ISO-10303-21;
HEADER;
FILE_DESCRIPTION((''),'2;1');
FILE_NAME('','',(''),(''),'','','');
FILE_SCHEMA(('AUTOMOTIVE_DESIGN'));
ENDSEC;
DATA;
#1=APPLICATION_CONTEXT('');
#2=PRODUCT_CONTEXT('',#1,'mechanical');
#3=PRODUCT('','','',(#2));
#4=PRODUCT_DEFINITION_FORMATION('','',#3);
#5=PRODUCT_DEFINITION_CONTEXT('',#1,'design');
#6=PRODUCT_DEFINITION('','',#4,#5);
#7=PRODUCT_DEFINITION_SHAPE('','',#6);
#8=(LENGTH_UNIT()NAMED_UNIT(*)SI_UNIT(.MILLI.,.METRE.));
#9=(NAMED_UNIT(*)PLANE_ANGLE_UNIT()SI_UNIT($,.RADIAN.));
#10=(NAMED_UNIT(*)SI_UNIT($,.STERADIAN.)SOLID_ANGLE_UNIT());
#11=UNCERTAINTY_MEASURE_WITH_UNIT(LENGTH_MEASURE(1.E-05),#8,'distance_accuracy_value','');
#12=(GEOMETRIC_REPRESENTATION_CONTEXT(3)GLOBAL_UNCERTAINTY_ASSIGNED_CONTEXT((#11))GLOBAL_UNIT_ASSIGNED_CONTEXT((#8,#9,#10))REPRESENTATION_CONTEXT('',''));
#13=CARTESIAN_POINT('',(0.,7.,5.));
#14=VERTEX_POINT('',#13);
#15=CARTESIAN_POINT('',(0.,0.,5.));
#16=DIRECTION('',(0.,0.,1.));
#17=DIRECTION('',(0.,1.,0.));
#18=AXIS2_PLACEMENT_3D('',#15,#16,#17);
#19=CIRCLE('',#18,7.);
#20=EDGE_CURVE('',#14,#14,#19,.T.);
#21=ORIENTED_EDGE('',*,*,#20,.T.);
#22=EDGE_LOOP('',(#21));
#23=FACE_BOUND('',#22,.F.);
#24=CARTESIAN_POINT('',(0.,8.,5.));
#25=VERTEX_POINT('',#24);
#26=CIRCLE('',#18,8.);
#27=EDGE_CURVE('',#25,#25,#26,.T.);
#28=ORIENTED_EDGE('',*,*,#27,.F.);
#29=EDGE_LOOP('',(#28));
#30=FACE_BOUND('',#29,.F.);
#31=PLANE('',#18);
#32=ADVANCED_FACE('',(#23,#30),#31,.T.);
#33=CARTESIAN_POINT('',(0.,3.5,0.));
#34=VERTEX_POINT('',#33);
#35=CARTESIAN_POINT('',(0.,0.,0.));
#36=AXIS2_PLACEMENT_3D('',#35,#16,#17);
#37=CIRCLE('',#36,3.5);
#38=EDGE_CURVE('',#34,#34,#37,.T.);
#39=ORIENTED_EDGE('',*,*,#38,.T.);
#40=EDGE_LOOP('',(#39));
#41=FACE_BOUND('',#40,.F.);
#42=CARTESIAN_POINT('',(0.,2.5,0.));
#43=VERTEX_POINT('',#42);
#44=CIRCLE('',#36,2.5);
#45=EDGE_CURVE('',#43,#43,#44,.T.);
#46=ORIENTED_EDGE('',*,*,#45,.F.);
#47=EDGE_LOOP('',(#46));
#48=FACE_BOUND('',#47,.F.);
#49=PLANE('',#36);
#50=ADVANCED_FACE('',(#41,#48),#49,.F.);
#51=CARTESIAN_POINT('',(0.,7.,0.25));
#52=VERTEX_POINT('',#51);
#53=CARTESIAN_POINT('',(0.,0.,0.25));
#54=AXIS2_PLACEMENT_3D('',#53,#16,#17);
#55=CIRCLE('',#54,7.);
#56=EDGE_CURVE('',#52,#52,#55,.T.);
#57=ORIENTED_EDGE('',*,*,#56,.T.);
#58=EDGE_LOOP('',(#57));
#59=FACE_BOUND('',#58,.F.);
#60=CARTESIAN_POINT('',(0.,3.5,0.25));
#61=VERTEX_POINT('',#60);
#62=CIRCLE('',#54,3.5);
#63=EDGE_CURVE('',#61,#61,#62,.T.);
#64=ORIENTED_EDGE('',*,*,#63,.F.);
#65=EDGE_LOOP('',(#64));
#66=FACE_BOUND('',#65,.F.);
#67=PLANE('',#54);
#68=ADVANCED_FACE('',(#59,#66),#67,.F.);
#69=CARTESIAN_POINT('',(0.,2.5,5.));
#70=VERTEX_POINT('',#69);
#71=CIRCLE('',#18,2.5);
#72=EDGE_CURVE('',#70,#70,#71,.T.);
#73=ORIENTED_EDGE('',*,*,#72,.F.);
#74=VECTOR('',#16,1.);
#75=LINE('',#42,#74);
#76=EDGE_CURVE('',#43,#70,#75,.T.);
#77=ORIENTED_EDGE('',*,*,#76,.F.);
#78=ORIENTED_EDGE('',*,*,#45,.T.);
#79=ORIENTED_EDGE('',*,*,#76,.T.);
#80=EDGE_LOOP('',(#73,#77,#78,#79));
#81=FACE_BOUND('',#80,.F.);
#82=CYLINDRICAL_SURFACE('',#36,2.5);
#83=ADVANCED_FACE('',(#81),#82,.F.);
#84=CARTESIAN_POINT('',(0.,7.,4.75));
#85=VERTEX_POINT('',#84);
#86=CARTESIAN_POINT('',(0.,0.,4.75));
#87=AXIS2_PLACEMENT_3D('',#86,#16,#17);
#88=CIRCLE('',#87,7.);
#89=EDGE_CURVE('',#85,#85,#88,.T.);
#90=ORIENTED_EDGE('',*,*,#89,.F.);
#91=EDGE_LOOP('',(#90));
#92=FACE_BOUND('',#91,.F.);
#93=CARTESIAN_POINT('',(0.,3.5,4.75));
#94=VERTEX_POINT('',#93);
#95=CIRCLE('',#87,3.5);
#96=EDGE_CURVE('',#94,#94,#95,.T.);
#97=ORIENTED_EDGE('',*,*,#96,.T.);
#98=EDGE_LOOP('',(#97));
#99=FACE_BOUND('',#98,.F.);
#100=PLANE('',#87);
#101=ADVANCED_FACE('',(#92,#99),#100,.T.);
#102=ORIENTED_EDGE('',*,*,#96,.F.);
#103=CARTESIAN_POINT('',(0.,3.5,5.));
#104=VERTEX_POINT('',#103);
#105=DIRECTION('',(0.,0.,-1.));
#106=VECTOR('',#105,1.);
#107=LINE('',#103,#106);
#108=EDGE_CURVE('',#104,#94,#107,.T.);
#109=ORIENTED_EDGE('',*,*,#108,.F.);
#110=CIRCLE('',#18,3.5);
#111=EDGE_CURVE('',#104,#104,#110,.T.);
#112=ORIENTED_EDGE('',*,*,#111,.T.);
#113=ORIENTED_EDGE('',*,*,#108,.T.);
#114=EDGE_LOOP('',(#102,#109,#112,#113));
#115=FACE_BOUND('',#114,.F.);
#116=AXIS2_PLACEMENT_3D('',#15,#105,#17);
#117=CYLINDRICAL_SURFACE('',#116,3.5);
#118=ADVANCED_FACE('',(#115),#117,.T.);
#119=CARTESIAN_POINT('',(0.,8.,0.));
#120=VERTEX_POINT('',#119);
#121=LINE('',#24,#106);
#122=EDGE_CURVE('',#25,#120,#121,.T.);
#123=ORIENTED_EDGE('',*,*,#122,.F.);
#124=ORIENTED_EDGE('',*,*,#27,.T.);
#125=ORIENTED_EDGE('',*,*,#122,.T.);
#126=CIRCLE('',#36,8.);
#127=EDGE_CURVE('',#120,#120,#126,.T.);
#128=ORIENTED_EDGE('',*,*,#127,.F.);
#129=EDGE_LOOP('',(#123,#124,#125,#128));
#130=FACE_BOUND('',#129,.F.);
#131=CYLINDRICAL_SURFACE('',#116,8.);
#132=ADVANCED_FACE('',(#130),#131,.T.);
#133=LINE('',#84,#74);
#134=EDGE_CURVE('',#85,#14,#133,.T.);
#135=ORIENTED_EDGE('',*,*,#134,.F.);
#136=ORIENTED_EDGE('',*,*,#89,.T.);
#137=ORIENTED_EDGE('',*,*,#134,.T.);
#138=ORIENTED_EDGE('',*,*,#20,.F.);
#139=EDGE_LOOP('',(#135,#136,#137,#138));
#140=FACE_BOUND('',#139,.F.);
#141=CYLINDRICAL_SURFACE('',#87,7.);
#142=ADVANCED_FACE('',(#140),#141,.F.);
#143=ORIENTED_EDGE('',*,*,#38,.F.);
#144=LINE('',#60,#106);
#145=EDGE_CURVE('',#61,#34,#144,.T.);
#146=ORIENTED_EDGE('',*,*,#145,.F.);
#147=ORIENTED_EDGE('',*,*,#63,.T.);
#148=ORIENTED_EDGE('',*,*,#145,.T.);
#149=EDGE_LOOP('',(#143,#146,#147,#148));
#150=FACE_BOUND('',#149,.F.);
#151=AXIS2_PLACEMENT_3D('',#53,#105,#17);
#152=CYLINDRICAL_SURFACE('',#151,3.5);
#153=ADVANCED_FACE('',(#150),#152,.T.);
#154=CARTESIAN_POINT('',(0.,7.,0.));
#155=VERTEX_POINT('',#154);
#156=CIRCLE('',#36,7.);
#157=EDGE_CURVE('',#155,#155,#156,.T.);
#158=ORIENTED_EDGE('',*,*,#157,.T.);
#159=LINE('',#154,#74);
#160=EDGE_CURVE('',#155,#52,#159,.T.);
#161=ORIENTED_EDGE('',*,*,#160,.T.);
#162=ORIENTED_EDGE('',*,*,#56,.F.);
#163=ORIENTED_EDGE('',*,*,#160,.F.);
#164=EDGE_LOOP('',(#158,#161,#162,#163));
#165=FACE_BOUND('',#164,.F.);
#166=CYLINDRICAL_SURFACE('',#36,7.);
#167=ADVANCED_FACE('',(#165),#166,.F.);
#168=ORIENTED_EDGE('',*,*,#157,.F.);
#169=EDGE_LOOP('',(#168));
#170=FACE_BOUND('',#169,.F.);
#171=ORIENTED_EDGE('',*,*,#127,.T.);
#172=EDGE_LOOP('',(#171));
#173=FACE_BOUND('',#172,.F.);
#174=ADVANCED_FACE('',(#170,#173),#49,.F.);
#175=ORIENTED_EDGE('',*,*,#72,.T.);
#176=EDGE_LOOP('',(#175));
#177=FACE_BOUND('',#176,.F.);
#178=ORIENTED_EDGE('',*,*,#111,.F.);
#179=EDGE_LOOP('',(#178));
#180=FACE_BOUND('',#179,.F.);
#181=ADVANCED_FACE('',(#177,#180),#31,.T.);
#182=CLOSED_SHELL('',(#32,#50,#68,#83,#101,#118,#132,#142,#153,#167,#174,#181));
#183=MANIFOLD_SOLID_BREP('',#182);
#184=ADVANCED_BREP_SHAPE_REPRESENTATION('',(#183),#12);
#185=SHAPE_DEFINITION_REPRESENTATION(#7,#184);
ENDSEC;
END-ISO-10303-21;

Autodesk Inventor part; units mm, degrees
ref_plane "YZ Plane" through (0, 0, 0) normal (1, 0, 0) x (0, 1, 0)
ref_plane "XZ Plane" through (0, 0, 0) normal (0, 1, 0) x (-1, 0, 0)
ref_plane "XY Plane" through (0, 0, 0) normal (0, 0, 1) x (1, 0, 0)
sketch "Sketch1" plane through (0, 0, 0) normal (1, 0, 0) x (0, 1, 0)
  line L0 (0, 0) -> (0, 4.3483) construction
  line L1 (2.5, 0) -> (2.5, 5)
  line L2 (2.5, 5) -> (3.5, 5)
  line L3 (3.5, 5) -> (3.5, 4.75)
  line L4 (3.5, 4.75) -> (7, 4.75)
  line L5 (7, 4.75) -> (7, 5)
  line L6 (7, 5) -> (8, 5)
  line L7 (8, 5) -> (8, 0)
  line L8 (8, 0) -> (7, 0)
  line L9 (7, 0) -> (7, 0.25)
  line L10 (7, 0.25) -> (3.5, 0.25)
  line L11 (3.5, 0.25) -> (3.5, 0)
  line L12 (3.5, 0) -> (2.5, 0)
  line L13 (0, 0) -> (12.4665, 0) construction
  dimension "d0" = 5
  dimension "d1" = 16
  dimension "d2" = 1
  dimension "d3" = 1
  dimension "d4" = 0.25
  dimension "d5" = 0.25
  dimension "d6" = 5
revolve "Revolution1" add sketch "Sketch1" angle 360 about axis through (0, 0, 0) along (0, 0, 1)
properties part number "Ball Bearing 625 2RS 5x16x5"
